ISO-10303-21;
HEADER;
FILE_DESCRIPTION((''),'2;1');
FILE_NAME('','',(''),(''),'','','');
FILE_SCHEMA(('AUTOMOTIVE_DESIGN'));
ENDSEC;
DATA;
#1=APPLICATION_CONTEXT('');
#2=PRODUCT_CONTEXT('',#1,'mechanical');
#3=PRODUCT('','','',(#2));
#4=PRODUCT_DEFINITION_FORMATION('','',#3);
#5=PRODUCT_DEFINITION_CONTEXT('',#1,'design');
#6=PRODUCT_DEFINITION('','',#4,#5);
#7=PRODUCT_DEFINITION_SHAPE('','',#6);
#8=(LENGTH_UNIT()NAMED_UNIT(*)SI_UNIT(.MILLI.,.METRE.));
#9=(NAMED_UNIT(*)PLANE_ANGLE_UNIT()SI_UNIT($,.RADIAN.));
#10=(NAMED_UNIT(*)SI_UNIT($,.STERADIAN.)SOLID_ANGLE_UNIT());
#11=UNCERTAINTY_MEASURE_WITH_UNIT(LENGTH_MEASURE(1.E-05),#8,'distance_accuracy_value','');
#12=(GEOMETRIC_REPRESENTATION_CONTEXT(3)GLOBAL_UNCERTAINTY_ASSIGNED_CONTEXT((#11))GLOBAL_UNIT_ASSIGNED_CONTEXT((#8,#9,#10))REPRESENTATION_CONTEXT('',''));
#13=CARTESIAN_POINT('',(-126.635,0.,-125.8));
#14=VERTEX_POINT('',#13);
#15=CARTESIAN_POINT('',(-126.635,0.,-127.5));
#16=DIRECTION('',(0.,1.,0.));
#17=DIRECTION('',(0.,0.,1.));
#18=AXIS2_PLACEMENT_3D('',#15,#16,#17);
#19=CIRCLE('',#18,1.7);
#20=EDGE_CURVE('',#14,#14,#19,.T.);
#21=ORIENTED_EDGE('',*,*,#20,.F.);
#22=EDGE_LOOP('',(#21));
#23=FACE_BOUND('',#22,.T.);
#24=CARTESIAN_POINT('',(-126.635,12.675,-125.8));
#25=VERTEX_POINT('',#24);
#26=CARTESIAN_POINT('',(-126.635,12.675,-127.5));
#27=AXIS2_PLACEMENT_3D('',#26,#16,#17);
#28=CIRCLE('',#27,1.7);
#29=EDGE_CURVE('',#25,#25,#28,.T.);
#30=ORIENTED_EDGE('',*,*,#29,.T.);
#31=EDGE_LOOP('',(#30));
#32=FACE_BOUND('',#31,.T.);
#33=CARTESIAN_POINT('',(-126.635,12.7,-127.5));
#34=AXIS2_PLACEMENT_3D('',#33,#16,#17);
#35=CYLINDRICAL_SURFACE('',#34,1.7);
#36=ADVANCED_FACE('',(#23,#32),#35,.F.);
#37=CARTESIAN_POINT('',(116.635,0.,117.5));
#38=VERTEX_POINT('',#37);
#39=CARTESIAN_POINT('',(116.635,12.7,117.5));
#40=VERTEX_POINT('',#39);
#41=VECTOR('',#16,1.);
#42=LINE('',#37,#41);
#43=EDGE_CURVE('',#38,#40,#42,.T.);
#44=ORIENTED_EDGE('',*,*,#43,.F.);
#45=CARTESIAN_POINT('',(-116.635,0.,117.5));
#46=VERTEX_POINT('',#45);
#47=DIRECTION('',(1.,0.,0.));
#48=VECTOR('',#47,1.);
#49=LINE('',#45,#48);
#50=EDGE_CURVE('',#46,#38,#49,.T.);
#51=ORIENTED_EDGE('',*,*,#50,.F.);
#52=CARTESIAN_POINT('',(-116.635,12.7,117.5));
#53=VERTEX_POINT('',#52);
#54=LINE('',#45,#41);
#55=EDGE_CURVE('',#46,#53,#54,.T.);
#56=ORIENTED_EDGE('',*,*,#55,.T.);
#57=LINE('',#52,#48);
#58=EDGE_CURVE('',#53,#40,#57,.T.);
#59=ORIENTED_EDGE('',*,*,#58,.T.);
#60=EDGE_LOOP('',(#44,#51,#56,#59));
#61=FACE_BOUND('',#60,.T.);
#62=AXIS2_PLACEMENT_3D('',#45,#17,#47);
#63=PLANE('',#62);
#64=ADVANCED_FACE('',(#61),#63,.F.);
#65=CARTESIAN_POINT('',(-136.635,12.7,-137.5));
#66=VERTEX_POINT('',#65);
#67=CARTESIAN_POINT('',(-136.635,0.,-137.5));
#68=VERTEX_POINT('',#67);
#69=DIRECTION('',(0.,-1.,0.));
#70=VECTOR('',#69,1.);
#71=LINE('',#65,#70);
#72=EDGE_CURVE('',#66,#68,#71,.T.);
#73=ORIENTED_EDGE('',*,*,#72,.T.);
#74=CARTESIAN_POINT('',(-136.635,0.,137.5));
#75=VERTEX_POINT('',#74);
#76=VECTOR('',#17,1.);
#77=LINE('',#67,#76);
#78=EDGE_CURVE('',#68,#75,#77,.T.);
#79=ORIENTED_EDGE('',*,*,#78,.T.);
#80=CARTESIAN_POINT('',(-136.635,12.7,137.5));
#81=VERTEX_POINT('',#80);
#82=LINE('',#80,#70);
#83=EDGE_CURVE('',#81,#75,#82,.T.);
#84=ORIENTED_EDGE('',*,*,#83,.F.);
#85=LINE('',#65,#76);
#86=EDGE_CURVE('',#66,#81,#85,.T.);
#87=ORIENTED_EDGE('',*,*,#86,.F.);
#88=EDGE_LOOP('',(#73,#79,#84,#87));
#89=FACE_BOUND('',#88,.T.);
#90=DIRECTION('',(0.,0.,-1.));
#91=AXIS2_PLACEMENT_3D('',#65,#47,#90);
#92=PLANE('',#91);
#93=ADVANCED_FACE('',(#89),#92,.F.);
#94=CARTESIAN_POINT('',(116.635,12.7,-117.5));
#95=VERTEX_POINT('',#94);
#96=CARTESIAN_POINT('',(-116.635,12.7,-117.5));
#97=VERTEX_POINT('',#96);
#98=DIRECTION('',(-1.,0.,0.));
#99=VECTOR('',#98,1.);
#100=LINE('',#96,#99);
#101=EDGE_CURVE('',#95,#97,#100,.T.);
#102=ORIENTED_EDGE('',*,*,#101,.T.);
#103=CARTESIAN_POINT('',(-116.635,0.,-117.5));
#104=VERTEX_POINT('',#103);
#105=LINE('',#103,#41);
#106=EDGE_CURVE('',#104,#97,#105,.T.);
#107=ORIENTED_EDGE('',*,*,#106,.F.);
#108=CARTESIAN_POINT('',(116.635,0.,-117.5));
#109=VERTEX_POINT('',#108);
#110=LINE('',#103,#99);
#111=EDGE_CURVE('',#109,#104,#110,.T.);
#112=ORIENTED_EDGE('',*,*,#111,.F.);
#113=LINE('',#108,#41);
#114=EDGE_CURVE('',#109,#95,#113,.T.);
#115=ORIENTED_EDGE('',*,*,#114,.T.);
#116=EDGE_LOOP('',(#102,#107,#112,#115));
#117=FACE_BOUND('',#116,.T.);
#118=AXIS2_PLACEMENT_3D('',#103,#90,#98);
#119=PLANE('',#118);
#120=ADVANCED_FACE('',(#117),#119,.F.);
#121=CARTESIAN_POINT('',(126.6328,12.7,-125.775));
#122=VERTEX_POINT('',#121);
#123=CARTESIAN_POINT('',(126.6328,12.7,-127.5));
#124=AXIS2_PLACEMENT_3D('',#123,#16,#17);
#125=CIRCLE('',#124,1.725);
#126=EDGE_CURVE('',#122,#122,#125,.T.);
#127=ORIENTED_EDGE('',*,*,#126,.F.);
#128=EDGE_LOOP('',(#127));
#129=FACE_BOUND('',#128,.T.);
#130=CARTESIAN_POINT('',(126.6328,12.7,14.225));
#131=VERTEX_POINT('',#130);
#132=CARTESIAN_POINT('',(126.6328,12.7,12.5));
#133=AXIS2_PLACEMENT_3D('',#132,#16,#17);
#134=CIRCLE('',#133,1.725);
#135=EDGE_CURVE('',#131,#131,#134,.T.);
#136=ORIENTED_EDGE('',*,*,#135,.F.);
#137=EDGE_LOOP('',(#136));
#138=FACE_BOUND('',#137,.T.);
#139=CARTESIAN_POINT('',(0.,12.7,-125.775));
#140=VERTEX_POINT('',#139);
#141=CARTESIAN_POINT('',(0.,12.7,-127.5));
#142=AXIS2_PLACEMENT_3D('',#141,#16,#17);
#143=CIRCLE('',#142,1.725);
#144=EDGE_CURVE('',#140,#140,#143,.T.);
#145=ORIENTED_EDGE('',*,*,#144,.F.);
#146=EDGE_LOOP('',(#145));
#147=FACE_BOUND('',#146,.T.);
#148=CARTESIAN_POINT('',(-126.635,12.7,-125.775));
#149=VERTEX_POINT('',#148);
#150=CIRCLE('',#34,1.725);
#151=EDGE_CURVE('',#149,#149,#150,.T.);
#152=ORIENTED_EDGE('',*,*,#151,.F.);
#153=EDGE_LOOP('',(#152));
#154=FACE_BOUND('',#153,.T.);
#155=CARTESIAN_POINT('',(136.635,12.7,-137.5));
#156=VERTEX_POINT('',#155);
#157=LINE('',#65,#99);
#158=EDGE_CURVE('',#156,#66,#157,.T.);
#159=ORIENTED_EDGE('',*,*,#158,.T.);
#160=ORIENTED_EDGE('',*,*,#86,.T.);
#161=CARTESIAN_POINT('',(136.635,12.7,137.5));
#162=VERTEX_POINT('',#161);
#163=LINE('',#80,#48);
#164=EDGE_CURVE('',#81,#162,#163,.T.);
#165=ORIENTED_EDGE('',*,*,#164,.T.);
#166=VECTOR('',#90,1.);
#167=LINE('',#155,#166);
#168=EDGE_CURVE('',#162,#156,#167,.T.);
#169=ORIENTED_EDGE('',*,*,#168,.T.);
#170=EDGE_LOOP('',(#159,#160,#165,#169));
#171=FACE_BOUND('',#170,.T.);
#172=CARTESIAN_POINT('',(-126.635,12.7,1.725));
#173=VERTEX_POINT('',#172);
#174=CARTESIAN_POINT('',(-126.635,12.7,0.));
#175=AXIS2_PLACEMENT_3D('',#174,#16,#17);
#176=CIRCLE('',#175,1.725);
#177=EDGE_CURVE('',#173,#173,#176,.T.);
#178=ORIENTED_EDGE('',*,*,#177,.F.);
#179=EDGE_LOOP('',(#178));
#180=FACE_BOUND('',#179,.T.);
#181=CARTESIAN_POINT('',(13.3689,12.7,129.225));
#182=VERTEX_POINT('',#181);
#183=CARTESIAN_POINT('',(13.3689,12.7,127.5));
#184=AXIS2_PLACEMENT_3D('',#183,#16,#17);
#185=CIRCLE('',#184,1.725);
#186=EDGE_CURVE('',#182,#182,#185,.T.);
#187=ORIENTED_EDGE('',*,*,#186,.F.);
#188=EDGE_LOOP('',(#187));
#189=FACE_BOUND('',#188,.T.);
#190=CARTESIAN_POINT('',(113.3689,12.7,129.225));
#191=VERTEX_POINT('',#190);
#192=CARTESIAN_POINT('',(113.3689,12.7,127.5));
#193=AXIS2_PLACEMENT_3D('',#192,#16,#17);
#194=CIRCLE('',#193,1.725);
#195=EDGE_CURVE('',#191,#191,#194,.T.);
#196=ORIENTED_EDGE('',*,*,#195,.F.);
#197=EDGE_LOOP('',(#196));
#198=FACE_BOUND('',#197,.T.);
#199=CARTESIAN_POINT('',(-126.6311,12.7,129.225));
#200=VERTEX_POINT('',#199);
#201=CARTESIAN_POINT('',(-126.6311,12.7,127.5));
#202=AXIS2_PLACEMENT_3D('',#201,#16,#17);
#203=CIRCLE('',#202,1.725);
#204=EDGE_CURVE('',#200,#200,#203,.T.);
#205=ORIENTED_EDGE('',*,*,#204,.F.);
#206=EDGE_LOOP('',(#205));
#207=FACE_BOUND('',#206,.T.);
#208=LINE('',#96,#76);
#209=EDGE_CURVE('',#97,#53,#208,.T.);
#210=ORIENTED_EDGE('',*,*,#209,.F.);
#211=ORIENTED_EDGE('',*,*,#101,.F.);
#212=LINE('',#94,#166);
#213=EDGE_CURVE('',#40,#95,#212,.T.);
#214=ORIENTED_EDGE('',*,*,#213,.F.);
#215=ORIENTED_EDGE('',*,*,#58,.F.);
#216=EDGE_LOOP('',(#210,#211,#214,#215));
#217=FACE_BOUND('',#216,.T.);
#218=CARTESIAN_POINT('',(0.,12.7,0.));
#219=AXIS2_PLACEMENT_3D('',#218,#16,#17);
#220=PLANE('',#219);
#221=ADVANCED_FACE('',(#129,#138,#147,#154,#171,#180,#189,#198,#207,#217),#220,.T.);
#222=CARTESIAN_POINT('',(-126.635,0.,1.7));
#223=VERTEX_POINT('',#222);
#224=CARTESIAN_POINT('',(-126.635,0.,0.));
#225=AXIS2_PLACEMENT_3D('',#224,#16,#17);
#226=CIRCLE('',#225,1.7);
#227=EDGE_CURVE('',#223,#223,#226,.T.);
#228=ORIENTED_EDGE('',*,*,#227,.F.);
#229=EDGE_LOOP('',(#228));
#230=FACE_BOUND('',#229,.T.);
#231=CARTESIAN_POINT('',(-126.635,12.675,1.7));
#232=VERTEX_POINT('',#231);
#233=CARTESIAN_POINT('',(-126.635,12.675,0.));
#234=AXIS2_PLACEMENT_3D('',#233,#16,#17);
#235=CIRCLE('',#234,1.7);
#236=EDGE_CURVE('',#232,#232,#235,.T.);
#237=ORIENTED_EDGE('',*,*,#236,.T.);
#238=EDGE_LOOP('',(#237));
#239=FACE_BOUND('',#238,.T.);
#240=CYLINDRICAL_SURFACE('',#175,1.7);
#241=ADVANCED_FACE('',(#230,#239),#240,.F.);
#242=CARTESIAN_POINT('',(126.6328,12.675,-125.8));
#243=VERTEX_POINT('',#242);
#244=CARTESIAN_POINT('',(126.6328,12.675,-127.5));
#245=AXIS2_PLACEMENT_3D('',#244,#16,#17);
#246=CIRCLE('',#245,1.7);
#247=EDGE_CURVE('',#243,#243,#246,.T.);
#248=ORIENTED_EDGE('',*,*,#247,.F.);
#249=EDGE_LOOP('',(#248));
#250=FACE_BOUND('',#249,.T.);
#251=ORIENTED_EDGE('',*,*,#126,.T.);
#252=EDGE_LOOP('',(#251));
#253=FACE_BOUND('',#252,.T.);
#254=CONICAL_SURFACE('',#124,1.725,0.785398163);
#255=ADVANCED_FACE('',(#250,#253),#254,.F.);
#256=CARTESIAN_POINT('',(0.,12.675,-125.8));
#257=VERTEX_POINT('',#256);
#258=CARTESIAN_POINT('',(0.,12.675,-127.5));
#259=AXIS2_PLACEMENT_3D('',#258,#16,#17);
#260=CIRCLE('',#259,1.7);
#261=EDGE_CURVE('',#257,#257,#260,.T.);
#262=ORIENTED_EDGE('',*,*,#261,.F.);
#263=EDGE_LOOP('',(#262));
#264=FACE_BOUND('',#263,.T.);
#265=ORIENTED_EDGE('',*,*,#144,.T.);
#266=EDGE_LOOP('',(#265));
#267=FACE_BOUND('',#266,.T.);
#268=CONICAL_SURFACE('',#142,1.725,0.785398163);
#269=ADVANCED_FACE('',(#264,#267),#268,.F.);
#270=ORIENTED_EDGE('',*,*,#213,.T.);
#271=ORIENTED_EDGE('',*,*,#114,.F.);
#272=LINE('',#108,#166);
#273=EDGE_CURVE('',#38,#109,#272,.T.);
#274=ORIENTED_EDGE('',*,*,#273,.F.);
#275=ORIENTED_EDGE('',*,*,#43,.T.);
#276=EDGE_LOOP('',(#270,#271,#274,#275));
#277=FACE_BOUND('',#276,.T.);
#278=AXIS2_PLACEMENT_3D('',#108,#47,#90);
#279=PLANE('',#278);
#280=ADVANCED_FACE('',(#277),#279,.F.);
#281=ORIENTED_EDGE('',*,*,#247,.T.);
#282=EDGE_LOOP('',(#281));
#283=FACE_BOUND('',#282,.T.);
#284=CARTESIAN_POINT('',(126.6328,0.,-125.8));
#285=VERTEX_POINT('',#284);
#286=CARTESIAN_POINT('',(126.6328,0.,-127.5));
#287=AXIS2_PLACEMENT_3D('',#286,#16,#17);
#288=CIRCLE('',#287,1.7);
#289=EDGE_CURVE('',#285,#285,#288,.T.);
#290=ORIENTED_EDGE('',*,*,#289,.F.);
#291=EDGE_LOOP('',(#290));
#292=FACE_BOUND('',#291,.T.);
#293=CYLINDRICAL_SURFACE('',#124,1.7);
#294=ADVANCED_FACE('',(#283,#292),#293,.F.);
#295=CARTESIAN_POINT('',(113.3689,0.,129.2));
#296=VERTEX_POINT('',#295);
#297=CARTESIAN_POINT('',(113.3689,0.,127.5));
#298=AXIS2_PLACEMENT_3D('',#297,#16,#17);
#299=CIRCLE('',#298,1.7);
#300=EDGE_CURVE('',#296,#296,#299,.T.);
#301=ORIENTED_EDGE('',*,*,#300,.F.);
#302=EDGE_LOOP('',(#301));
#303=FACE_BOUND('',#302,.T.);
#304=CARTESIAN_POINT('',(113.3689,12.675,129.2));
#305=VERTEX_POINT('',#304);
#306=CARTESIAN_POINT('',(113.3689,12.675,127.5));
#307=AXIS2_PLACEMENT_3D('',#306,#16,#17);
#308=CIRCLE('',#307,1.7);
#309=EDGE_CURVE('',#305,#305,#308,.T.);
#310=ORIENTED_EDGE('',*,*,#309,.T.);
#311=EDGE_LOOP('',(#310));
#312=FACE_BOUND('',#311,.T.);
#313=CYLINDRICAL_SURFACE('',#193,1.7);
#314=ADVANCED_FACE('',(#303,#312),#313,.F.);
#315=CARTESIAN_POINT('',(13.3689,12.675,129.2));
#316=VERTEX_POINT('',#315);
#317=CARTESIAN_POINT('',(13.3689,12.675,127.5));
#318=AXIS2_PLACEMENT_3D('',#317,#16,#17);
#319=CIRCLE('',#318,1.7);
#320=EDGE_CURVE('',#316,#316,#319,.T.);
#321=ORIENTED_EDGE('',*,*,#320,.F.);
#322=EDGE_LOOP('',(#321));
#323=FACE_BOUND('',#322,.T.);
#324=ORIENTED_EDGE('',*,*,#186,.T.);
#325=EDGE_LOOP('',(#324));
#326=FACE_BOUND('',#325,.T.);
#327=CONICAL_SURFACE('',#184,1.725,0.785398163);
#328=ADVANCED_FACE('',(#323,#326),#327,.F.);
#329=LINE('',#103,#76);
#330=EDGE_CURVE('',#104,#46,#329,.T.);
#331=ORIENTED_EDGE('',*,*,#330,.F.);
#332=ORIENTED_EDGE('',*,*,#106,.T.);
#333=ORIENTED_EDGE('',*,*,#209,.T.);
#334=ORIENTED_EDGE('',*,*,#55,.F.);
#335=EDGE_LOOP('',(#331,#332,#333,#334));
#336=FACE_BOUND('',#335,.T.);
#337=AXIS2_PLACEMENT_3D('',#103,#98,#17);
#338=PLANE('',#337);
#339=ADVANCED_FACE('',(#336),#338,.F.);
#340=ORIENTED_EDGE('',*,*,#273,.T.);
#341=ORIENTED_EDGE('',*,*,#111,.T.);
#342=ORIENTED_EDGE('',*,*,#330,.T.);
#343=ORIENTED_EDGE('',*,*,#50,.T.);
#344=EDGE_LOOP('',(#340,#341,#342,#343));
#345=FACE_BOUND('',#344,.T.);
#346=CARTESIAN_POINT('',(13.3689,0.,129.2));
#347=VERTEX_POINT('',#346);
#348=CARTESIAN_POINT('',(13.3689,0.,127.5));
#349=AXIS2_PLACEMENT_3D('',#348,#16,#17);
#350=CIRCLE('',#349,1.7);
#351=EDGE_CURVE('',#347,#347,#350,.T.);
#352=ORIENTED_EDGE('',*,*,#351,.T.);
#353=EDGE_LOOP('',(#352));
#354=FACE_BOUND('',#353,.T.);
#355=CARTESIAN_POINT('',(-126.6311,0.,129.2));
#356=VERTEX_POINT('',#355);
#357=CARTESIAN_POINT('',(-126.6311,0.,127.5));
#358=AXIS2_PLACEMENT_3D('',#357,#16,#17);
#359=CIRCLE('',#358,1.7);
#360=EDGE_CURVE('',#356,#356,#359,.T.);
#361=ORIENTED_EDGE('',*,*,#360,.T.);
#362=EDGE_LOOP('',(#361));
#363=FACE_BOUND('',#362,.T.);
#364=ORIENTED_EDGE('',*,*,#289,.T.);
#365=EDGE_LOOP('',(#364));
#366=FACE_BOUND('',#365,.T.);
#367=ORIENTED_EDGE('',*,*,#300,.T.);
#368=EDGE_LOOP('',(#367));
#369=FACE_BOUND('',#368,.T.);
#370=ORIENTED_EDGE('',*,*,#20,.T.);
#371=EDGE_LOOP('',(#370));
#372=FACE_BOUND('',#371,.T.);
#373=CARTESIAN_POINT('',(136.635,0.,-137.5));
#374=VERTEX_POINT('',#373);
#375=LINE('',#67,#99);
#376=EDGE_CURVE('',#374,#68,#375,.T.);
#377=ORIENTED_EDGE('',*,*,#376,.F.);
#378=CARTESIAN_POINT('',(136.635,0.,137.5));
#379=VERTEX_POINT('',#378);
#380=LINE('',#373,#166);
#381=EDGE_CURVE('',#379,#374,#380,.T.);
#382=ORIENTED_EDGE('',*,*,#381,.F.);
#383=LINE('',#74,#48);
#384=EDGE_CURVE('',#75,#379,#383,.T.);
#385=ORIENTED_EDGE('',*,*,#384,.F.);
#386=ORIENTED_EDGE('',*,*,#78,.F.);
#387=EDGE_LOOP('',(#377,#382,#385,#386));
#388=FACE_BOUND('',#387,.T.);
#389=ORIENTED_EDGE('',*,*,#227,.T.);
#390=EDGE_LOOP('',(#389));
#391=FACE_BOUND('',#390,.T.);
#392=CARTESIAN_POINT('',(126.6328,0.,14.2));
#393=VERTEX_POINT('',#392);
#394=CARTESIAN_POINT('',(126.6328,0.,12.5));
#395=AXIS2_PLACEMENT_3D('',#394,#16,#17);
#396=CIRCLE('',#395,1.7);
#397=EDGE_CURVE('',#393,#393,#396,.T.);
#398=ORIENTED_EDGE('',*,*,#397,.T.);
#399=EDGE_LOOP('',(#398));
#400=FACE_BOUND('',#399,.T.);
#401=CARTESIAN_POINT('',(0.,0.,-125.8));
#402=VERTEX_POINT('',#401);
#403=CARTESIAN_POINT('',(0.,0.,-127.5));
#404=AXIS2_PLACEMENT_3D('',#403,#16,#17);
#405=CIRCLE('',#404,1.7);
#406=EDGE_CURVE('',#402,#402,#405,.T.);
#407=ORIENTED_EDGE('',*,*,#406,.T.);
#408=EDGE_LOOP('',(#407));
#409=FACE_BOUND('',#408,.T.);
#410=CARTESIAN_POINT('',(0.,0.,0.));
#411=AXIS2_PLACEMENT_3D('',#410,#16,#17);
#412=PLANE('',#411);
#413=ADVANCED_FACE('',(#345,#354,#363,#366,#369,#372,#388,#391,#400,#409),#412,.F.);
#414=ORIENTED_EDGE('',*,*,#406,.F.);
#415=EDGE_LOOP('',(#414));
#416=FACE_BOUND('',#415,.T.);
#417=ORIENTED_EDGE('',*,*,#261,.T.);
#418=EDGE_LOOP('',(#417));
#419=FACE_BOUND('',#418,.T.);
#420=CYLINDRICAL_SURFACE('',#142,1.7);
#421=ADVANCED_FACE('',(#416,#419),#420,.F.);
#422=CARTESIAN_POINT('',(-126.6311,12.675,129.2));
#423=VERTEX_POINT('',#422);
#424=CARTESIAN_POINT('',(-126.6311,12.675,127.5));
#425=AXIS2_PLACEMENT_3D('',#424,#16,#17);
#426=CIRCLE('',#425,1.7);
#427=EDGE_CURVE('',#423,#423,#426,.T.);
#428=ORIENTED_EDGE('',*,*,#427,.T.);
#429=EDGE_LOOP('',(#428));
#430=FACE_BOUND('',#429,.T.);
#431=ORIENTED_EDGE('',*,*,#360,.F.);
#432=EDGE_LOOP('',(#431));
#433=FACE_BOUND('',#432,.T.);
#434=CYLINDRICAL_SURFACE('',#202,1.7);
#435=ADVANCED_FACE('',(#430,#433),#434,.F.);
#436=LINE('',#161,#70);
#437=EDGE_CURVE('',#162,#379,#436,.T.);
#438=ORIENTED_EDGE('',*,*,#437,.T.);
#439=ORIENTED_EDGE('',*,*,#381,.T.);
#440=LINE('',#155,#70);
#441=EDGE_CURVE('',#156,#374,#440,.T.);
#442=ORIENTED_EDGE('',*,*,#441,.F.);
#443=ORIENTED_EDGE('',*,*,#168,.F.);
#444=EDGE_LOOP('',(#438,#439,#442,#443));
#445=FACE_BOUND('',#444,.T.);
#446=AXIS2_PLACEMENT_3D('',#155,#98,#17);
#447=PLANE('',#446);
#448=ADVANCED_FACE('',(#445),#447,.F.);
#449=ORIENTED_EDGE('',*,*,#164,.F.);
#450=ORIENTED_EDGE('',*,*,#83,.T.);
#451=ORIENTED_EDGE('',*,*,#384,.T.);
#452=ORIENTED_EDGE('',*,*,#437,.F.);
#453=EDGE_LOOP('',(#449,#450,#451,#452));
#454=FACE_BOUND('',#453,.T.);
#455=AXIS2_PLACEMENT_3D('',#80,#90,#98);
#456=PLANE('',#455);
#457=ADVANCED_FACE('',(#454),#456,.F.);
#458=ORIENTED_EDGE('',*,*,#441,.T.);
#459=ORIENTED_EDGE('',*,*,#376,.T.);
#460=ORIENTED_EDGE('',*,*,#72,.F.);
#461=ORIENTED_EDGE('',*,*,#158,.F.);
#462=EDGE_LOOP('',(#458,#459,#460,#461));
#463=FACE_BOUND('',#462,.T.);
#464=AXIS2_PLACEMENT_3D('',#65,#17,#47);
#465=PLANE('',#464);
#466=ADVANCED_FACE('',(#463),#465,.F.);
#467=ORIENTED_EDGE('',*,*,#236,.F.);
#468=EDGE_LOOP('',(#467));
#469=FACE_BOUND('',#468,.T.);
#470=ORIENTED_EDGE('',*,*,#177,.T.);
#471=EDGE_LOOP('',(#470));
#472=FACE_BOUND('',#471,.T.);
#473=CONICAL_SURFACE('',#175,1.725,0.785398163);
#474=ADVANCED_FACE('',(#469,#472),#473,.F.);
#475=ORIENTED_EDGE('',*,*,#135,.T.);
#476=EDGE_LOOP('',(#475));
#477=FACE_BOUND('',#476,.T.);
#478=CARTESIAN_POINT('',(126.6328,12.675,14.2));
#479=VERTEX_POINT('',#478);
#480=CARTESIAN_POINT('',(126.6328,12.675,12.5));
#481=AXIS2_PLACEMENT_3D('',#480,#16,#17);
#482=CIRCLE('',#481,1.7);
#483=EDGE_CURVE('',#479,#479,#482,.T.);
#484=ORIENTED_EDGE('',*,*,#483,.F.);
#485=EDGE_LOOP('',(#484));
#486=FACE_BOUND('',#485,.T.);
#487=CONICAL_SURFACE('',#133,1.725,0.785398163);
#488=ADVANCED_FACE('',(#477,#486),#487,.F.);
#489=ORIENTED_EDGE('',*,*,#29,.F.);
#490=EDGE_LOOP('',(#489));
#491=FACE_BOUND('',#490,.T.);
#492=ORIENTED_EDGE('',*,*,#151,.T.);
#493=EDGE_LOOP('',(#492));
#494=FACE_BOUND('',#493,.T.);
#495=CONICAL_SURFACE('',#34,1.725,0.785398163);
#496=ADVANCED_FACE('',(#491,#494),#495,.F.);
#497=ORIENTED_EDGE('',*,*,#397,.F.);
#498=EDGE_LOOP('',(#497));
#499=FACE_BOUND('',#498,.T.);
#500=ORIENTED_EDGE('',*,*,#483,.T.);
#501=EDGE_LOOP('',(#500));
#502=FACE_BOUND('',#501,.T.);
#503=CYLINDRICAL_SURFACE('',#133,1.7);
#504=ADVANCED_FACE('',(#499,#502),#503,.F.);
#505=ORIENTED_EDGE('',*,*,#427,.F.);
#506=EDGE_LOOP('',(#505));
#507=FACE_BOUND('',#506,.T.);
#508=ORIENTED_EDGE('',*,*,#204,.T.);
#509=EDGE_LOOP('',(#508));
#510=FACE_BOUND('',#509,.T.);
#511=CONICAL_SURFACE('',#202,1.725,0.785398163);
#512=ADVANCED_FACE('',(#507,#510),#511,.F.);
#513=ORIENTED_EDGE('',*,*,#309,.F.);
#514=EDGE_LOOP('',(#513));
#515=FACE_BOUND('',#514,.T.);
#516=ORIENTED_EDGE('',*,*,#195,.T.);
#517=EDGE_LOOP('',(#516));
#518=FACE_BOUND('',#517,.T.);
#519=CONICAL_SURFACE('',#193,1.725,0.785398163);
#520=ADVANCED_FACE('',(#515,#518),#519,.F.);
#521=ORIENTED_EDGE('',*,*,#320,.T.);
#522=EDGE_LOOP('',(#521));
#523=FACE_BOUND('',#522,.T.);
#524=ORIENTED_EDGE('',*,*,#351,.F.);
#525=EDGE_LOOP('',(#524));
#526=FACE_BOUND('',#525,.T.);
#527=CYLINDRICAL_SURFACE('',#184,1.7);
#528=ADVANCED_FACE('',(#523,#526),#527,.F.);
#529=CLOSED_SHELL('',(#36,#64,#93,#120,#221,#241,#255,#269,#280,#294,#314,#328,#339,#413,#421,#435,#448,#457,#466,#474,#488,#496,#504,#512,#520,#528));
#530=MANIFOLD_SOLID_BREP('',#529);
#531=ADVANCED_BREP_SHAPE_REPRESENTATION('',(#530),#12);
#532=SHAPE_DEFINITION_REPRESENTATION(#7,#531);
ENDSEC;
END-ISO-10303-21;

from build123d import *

# Parameters (mm, degrees)
SKETCH1_W                      = 273.27
SKETCH1_H                      = 275
BOSS_EXTRUDE1_DEPTH            = 12.7
SKETCH2_W                      = 233.27
SKETCH2_H                      = 235
CUT_EXTRUDE1_DEPTH             = 12.7
M3_CLEARANCE_HOLE1_D           = 3.4
M3_CLEARANCE_HOLE1_CSINK_D     = 3.45
M3_CLEARANCE_HOLE1_CSINK_ANGLE = 90
M3_CLEARANCE_HOLE2_D           = 3.4
M3_CLEARANCE_HOLE2_CSINK_D     = 3.45
M3_CLEARANCE_HOLE2_CSINK_ANGLE = 90


with BuildPart() as part:
    # Sketch1 → Boss-Extrude1 (new body)
    with BuildSketch(Plane(origin=(0, 0, 0), x_dir=(1, 0, 0), z_dir=(0, 1, 0))):
        Rectangle(SKETCH1_W, SKETCH1_H)
    extrude(amount=BOSS_EXTRUDE1_DEPTH)

    # Sketch2 → Cut-Extrude1 (cut)
    with BuildSketch(Plane(origin=(0, 12.7, 0), x_dir=(1, 0, 0), z_dir=(0, 1, 0))):
        Rectangle(SKETCH2_W, SKETCH2_H)
    extrude(amount=-CUT_EXTRUDE1_DEPTH, mode=Mode.SUBTRACT)

    # M3 Clearance Hole1 (through all)
    with Locations(Plane(origin=(0, 12.7, 0), x_dir=(1, 0, 0), z_dir=(0, 1, 0))):
        with Locations((0, 127.5), (-126.635, 127.5), (126.6328, 127.5), (-126.635, 0), (13.3689, -127.5), (113.3689, -127.5), (126.6328, -12.5)):
            CounterSinkHole(M3_CLEARANCE_HOLE1_D / 2, M3_CLEARANCE_HOLE1_CSINK_D / 2, counter_sink_angle=M3_CLEARANCE_HOLE1_CSINK_ANGLE)

    # M3 Clearance Hole2 (through all)
    with Locations(Plane(origin=(0, 12.7, 0), x_dir=(1, 0, 0), z_dir=(0, 1, 0))):
        with Locations((-126.6311, -127.5)):
            CounterSinkHole(M3_CLEARANCE_HOLE2_D / 2, M3_CLEARANCE_HOLE2_CSINK_D / 2, counter_sink_angle=M3_CLEARANCE_HOLE2_CSINK_ANGLE)


solid = part.part
